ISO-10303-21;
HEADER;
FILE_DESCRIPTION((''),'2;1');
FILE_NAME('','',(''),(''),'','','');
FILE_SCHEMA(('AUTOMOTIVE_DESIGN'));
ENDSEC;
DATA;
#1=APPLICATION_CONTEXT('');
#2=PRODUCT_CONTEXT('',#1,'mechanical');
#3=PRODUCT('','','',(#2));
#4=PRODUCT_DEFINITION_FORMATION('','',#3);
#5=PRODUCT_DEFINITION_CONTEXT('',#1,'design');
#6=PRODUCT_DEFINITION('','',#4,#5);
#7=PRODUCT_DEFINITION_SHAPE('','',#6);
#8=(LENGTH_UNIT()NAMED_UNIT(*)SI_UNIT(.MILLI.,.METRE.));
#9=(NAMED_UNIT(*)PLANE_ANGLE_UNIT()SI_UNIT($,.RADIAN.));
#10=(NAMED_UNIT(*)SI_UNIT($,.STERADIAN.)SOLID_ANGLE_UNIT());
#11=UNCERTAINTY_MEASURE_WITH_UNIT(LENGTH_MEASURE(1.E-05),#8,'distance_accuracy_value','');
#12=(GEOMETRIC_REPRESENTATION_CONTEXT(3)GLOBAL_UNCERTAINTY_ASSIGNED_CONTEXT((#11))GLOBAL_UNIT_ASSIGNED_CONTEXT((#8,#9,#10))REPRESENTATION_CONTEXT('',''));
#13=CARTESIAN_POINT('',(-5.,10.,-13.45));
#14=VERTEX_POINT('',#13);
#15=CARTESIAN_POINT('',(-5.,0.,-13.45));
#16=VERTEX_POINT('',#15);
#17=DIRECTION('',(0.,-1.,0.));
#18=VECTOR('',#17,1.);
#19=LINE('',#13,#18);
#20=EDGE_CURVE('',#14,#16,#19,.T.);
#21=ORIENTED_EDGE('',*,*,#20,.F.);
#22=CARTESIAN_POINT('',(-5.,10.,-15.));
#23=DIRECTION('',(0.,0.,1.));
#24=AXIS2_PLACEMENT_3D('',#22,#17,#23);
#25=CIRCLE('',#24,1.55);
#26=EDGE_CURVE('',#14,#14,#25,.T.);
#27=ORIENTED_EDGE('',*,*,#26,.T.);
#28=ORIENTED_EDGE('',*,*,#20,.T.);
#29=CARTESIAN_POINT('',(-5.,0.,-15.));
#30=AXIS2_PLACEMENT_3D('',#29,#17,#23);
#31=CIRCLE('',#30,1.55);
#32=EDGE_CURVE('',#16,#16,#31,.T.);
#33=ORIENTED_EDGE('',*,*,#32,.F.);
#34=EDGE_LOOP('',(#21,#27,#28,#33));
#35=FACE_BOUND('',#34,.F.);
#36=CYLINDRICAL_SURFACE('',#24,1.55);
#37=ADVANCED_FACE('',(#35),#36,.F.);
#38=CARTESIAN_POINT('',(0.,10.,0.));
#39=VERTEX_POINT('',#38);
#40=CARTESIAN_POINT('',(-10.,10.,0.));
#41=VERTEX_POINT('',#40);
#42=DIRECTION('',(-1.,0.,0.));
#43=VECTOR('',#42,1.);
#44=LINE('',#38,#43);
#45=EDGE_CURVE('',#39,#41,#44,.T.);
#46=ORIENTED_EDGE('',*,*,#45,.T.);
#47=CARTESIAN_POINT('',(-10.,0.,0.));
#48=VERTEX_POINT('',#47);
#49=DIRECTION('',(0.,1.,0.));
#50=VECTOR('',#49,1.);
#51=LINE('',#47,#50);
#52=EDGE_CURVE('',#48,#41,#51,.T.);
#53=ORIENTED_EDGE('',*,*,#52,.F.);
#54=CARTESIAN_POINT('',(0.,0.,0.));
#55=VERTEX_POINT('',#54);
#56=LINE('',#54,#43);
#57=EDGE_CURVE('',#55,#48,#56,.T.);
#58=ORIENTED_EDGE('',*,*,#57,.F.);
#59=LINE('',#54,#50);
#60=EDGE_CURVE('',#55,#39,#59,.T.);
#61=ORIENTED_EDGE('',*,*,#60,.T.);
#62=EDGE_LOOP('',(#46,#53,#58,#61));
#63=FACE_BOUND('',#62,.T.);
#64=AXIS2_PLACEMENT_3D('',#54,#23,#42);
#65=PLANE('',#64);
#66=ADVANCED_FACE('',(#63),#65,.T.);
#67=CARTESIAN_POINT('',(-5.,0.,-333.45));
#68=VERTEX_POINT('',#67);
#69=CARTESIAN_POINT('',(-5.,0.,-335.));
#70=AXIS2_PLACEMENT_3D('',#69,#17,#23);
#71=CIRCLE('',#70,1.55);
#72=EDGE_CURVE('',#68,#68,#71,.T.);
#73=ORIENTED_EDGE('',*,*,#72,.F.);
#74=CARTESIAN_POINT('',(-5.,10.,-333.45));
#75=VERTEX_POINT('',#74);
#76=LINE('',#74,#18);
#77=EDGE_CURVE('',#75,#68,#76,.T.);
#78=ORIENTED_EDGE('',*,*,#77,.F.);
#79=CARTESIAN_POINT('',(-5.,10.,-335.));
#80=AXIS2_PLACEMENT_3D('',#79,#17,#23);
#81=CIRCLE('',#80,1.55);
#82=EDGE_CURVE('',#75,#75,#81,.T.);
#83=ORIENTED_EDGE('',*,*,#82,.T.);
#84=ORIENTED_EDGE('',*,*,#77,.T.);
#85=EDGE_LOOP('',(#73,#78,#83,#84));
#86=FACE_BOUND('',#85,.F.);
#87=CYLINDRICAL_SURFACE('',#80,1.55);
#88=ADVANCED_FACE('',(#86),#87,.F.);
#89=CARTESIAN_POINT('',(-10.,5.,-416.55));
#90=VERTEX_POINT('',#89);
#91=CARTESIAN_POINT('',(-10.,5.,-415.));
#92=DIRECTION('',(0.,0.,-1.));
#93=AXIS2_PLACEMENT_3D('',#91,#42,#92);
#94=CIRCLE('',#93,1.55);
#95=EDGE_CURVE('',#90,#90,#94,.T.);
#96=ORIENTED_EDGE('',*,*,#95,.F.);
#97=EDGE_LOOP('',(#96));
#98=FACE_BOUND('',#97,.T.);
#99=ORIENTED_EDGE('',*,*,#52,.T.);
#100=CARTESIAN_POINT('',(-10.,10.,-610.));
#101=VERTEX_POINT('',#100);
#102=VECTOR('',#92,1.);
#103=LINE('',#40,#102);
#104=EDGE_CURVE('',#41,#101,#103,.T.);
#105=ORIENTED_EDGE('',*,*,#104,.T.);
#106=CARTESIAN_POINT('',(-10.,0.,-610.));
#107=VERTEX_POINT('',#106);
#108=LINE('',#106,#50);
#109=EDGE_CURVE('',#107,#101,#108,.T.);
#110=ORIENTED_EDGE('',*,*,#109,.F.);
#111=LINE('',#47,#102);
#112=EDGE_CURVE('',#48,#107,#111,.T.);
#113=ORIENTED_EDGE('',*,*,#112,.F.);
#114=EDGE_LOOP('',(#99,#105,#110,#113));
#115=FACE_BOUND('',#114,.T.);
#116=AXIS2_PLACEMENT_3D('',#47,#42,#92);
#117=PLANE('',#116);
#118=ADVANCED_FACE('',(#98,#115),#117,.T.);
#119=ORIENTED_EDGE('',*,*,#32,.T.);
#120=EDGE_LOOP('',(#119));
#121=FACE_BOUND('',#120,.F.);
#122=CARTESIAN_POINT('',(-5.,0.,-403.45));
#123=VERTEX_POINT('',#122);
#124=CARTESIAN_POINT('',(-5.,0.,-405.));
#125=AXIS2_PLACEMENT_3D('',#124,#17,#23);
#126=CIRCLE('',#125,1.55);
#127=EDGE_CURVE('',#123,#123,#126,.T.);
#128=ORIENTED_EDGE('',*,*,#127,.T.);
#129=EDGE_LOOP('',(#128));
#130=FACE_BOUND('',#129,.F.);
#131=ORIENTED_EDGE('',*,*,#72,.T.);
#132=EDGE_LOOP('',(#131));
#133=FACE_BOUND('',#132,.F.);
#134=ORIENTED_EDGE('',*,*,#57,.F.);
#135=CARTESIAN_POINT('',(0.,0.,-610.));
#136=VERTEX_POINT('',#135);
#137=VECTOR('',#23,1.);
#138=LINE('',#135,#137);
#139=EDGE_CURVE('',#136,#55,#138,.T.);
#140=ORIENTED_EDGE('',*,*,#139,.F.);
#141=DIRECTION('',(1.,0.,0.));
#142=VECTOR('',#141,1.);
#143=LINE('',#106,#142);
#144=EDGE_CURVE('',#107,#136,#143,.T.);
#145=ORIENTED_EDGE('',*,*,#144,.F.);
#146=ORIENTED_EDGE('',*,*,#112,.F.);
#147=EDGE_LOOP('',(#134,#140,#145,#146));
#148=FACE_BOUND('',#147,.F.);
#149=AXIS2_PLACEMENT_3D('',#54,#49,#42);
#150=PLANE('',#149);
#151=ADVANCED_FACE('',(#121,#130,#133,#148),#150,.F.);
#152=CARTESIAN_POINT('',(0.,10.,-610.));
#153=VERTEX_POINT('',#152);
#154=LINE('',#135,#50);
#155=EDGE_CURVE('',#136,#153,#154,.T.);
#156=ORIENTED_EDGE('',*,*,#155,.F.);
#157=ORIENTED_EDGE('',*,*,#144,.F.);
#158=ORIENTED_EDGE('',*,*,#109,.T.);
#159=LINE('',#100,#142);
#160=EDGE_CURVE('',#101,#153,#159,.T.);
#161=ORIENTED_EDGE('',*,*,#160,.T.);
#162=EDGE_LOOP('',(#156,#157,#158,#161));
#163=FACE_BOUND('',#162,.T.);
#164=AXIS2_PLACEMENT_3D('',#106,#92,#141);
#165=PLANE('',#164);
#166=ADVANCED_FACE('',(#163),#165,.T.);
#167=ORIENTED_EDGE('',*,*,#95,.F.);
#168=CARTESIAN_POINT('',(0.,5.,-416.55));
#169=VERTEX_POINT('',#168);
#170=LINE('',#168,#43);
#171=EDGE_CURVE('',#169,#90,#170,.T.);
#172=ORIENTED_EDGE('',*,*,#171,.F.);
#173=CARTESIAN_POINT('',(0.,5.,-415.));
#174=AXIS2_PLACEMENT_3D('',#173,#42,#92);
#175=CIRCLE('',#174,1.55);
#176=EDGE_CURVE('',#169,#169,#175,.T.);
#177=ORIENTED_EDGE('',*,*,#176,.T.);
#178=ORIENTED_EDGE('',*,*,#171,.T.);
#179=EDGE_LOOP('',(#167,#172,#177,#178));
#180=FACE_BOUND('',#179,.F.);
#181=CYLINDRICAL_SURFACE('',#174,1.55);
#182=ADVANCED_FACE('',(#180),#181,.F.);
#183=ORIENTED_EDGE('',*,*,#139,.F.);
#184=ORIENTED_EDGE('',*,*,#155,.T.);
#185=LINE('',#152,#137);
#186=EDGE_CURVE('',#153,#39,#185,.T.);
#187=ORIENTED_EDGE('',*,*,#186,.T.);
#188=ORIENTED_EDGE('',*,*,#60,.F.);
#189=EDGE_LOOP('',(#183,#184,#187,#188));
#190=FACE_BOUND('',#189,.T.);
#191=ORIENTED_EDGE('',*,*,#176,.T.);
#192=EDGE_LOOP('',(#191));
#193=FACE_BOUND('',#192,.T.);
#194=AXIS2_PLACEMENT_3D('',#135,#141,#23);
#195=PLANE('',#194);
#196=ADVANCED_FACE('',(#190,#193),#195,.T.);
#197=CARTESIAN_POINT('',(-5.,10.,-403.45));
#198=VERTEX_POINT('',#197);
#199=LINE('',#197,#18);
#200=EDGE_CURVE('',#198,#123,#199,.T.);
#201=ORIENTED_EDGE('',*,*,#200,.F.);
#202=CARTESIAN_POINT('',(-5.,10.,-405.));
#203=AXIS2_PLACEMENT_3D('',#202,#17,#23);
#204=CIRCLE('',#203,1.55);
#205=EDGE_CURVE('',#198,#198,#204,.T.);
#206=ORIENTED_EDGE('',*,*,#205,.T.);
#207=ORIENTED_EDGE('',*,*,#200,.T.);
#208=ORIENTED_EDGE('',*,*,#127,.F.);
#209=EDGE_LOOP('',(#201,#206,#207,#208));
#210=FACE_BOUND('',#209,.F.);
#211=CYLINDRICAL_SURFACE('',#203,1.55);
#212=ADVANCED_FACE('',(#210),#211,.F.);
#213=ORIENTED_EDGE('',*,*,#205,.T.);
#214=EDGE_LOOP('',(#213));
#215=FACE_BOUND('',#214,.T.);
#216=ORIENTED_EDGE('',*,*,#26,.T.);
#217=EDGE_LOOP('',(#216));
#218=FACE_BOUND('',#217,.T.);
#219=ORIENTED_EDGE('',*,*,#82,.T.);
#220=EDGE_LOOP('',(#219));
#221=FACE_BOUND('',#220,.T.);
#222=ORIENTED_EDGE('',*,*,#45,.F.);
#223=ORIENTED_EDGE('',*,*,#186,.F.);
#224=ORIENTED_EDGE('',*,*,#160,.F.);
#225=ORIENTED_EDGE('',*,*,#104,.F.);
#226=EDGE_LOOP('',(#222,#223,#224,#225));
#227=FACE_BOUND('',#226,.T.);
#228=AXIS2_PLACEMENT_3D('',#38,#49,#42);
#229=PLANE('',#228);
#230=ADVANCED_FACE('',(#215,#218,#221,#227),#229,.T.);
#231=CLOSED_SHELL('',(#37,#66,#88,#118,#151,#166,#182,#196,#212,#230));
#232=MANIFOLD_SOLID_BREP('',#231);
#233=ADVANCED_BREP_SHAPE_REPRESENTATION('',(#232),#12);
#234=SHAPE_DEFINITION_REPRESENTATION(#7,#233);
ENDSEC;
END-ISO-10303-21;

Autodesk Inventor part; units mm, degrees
ref_plane "YZ Plane" through (0, 0, 0) normal (1, 0, 0) x (0, 1, 0)
ref_plane "XZ Plane" through (0, 0, 0) normal (0, 1, 0) x (-1, 0, 0)
ref_plane "XY Plane" through (0, 0, 0) normal (0, 0, 1) x (1, 0, 0)
sketch "スケッチ1" plane through (0, 0, 0) normal (0, 1, 0) x (-1, 0, 0)
  line L0 (0, 0) -> (10, 0)
  line L1 (10, 0) -> (10, -610)
  line L2 (10, -610) -> (0, -610)
  line L3 (0, -610) -> (0, 0)
  dimension "d0" = 10
  dimension "d1" = 610
extrude "押し出し1" add sketch "スケッチ1" along normal blind 10
sketch "スケッチ2" plane through (0, 10, 0) normal (0, 1, 0) x (1, 0, 0)
  line L0 (-10, 0) -> (0, 0) projected
  point P0 (-5, 405)
  point P1 (-5, 0)
  point P2 (-5, 0)
  dimension "d4" = 405
hole "穴1" at (-5, 10, -405) direction (0, -1, 0) diameter 3.1 end through all
sketch "スケッチ3" plane through (0, 0, 0) normal (1, 0, 0) x (0, 0, -1)
  line L0 (0, 0) -> (0, 10) projected
  point P0 (415, 5)
  point P1 (0, 5)
  point P2 (0, 5)
  dimension "d12" = 415
hole "穴2" at (0, 5, -415) direction (-1, 0, 0) diameter 3.1 end through all
sketch "スケッチ4" plane through (0, 10, 0) normal (0, 1, 0) x (1, 0, 0)
  line L0 (-10, 0) -> (0, 0) projected
  point P0 (-5, 15)
  point P1 (-5, 335)
  point P2 (-5, 0)
  point P3 (-5, 0)
  point P4 (-5, 0)
  point P5 (-5, 0)
  dimension "d20" = 15
  dimension "d21" = 335
hole "穴3" at (-5, 10, -15) at (-5, 10, -335) direction (0, -1, 0) diameter 3.1 end through all
properties part number "Dai"
